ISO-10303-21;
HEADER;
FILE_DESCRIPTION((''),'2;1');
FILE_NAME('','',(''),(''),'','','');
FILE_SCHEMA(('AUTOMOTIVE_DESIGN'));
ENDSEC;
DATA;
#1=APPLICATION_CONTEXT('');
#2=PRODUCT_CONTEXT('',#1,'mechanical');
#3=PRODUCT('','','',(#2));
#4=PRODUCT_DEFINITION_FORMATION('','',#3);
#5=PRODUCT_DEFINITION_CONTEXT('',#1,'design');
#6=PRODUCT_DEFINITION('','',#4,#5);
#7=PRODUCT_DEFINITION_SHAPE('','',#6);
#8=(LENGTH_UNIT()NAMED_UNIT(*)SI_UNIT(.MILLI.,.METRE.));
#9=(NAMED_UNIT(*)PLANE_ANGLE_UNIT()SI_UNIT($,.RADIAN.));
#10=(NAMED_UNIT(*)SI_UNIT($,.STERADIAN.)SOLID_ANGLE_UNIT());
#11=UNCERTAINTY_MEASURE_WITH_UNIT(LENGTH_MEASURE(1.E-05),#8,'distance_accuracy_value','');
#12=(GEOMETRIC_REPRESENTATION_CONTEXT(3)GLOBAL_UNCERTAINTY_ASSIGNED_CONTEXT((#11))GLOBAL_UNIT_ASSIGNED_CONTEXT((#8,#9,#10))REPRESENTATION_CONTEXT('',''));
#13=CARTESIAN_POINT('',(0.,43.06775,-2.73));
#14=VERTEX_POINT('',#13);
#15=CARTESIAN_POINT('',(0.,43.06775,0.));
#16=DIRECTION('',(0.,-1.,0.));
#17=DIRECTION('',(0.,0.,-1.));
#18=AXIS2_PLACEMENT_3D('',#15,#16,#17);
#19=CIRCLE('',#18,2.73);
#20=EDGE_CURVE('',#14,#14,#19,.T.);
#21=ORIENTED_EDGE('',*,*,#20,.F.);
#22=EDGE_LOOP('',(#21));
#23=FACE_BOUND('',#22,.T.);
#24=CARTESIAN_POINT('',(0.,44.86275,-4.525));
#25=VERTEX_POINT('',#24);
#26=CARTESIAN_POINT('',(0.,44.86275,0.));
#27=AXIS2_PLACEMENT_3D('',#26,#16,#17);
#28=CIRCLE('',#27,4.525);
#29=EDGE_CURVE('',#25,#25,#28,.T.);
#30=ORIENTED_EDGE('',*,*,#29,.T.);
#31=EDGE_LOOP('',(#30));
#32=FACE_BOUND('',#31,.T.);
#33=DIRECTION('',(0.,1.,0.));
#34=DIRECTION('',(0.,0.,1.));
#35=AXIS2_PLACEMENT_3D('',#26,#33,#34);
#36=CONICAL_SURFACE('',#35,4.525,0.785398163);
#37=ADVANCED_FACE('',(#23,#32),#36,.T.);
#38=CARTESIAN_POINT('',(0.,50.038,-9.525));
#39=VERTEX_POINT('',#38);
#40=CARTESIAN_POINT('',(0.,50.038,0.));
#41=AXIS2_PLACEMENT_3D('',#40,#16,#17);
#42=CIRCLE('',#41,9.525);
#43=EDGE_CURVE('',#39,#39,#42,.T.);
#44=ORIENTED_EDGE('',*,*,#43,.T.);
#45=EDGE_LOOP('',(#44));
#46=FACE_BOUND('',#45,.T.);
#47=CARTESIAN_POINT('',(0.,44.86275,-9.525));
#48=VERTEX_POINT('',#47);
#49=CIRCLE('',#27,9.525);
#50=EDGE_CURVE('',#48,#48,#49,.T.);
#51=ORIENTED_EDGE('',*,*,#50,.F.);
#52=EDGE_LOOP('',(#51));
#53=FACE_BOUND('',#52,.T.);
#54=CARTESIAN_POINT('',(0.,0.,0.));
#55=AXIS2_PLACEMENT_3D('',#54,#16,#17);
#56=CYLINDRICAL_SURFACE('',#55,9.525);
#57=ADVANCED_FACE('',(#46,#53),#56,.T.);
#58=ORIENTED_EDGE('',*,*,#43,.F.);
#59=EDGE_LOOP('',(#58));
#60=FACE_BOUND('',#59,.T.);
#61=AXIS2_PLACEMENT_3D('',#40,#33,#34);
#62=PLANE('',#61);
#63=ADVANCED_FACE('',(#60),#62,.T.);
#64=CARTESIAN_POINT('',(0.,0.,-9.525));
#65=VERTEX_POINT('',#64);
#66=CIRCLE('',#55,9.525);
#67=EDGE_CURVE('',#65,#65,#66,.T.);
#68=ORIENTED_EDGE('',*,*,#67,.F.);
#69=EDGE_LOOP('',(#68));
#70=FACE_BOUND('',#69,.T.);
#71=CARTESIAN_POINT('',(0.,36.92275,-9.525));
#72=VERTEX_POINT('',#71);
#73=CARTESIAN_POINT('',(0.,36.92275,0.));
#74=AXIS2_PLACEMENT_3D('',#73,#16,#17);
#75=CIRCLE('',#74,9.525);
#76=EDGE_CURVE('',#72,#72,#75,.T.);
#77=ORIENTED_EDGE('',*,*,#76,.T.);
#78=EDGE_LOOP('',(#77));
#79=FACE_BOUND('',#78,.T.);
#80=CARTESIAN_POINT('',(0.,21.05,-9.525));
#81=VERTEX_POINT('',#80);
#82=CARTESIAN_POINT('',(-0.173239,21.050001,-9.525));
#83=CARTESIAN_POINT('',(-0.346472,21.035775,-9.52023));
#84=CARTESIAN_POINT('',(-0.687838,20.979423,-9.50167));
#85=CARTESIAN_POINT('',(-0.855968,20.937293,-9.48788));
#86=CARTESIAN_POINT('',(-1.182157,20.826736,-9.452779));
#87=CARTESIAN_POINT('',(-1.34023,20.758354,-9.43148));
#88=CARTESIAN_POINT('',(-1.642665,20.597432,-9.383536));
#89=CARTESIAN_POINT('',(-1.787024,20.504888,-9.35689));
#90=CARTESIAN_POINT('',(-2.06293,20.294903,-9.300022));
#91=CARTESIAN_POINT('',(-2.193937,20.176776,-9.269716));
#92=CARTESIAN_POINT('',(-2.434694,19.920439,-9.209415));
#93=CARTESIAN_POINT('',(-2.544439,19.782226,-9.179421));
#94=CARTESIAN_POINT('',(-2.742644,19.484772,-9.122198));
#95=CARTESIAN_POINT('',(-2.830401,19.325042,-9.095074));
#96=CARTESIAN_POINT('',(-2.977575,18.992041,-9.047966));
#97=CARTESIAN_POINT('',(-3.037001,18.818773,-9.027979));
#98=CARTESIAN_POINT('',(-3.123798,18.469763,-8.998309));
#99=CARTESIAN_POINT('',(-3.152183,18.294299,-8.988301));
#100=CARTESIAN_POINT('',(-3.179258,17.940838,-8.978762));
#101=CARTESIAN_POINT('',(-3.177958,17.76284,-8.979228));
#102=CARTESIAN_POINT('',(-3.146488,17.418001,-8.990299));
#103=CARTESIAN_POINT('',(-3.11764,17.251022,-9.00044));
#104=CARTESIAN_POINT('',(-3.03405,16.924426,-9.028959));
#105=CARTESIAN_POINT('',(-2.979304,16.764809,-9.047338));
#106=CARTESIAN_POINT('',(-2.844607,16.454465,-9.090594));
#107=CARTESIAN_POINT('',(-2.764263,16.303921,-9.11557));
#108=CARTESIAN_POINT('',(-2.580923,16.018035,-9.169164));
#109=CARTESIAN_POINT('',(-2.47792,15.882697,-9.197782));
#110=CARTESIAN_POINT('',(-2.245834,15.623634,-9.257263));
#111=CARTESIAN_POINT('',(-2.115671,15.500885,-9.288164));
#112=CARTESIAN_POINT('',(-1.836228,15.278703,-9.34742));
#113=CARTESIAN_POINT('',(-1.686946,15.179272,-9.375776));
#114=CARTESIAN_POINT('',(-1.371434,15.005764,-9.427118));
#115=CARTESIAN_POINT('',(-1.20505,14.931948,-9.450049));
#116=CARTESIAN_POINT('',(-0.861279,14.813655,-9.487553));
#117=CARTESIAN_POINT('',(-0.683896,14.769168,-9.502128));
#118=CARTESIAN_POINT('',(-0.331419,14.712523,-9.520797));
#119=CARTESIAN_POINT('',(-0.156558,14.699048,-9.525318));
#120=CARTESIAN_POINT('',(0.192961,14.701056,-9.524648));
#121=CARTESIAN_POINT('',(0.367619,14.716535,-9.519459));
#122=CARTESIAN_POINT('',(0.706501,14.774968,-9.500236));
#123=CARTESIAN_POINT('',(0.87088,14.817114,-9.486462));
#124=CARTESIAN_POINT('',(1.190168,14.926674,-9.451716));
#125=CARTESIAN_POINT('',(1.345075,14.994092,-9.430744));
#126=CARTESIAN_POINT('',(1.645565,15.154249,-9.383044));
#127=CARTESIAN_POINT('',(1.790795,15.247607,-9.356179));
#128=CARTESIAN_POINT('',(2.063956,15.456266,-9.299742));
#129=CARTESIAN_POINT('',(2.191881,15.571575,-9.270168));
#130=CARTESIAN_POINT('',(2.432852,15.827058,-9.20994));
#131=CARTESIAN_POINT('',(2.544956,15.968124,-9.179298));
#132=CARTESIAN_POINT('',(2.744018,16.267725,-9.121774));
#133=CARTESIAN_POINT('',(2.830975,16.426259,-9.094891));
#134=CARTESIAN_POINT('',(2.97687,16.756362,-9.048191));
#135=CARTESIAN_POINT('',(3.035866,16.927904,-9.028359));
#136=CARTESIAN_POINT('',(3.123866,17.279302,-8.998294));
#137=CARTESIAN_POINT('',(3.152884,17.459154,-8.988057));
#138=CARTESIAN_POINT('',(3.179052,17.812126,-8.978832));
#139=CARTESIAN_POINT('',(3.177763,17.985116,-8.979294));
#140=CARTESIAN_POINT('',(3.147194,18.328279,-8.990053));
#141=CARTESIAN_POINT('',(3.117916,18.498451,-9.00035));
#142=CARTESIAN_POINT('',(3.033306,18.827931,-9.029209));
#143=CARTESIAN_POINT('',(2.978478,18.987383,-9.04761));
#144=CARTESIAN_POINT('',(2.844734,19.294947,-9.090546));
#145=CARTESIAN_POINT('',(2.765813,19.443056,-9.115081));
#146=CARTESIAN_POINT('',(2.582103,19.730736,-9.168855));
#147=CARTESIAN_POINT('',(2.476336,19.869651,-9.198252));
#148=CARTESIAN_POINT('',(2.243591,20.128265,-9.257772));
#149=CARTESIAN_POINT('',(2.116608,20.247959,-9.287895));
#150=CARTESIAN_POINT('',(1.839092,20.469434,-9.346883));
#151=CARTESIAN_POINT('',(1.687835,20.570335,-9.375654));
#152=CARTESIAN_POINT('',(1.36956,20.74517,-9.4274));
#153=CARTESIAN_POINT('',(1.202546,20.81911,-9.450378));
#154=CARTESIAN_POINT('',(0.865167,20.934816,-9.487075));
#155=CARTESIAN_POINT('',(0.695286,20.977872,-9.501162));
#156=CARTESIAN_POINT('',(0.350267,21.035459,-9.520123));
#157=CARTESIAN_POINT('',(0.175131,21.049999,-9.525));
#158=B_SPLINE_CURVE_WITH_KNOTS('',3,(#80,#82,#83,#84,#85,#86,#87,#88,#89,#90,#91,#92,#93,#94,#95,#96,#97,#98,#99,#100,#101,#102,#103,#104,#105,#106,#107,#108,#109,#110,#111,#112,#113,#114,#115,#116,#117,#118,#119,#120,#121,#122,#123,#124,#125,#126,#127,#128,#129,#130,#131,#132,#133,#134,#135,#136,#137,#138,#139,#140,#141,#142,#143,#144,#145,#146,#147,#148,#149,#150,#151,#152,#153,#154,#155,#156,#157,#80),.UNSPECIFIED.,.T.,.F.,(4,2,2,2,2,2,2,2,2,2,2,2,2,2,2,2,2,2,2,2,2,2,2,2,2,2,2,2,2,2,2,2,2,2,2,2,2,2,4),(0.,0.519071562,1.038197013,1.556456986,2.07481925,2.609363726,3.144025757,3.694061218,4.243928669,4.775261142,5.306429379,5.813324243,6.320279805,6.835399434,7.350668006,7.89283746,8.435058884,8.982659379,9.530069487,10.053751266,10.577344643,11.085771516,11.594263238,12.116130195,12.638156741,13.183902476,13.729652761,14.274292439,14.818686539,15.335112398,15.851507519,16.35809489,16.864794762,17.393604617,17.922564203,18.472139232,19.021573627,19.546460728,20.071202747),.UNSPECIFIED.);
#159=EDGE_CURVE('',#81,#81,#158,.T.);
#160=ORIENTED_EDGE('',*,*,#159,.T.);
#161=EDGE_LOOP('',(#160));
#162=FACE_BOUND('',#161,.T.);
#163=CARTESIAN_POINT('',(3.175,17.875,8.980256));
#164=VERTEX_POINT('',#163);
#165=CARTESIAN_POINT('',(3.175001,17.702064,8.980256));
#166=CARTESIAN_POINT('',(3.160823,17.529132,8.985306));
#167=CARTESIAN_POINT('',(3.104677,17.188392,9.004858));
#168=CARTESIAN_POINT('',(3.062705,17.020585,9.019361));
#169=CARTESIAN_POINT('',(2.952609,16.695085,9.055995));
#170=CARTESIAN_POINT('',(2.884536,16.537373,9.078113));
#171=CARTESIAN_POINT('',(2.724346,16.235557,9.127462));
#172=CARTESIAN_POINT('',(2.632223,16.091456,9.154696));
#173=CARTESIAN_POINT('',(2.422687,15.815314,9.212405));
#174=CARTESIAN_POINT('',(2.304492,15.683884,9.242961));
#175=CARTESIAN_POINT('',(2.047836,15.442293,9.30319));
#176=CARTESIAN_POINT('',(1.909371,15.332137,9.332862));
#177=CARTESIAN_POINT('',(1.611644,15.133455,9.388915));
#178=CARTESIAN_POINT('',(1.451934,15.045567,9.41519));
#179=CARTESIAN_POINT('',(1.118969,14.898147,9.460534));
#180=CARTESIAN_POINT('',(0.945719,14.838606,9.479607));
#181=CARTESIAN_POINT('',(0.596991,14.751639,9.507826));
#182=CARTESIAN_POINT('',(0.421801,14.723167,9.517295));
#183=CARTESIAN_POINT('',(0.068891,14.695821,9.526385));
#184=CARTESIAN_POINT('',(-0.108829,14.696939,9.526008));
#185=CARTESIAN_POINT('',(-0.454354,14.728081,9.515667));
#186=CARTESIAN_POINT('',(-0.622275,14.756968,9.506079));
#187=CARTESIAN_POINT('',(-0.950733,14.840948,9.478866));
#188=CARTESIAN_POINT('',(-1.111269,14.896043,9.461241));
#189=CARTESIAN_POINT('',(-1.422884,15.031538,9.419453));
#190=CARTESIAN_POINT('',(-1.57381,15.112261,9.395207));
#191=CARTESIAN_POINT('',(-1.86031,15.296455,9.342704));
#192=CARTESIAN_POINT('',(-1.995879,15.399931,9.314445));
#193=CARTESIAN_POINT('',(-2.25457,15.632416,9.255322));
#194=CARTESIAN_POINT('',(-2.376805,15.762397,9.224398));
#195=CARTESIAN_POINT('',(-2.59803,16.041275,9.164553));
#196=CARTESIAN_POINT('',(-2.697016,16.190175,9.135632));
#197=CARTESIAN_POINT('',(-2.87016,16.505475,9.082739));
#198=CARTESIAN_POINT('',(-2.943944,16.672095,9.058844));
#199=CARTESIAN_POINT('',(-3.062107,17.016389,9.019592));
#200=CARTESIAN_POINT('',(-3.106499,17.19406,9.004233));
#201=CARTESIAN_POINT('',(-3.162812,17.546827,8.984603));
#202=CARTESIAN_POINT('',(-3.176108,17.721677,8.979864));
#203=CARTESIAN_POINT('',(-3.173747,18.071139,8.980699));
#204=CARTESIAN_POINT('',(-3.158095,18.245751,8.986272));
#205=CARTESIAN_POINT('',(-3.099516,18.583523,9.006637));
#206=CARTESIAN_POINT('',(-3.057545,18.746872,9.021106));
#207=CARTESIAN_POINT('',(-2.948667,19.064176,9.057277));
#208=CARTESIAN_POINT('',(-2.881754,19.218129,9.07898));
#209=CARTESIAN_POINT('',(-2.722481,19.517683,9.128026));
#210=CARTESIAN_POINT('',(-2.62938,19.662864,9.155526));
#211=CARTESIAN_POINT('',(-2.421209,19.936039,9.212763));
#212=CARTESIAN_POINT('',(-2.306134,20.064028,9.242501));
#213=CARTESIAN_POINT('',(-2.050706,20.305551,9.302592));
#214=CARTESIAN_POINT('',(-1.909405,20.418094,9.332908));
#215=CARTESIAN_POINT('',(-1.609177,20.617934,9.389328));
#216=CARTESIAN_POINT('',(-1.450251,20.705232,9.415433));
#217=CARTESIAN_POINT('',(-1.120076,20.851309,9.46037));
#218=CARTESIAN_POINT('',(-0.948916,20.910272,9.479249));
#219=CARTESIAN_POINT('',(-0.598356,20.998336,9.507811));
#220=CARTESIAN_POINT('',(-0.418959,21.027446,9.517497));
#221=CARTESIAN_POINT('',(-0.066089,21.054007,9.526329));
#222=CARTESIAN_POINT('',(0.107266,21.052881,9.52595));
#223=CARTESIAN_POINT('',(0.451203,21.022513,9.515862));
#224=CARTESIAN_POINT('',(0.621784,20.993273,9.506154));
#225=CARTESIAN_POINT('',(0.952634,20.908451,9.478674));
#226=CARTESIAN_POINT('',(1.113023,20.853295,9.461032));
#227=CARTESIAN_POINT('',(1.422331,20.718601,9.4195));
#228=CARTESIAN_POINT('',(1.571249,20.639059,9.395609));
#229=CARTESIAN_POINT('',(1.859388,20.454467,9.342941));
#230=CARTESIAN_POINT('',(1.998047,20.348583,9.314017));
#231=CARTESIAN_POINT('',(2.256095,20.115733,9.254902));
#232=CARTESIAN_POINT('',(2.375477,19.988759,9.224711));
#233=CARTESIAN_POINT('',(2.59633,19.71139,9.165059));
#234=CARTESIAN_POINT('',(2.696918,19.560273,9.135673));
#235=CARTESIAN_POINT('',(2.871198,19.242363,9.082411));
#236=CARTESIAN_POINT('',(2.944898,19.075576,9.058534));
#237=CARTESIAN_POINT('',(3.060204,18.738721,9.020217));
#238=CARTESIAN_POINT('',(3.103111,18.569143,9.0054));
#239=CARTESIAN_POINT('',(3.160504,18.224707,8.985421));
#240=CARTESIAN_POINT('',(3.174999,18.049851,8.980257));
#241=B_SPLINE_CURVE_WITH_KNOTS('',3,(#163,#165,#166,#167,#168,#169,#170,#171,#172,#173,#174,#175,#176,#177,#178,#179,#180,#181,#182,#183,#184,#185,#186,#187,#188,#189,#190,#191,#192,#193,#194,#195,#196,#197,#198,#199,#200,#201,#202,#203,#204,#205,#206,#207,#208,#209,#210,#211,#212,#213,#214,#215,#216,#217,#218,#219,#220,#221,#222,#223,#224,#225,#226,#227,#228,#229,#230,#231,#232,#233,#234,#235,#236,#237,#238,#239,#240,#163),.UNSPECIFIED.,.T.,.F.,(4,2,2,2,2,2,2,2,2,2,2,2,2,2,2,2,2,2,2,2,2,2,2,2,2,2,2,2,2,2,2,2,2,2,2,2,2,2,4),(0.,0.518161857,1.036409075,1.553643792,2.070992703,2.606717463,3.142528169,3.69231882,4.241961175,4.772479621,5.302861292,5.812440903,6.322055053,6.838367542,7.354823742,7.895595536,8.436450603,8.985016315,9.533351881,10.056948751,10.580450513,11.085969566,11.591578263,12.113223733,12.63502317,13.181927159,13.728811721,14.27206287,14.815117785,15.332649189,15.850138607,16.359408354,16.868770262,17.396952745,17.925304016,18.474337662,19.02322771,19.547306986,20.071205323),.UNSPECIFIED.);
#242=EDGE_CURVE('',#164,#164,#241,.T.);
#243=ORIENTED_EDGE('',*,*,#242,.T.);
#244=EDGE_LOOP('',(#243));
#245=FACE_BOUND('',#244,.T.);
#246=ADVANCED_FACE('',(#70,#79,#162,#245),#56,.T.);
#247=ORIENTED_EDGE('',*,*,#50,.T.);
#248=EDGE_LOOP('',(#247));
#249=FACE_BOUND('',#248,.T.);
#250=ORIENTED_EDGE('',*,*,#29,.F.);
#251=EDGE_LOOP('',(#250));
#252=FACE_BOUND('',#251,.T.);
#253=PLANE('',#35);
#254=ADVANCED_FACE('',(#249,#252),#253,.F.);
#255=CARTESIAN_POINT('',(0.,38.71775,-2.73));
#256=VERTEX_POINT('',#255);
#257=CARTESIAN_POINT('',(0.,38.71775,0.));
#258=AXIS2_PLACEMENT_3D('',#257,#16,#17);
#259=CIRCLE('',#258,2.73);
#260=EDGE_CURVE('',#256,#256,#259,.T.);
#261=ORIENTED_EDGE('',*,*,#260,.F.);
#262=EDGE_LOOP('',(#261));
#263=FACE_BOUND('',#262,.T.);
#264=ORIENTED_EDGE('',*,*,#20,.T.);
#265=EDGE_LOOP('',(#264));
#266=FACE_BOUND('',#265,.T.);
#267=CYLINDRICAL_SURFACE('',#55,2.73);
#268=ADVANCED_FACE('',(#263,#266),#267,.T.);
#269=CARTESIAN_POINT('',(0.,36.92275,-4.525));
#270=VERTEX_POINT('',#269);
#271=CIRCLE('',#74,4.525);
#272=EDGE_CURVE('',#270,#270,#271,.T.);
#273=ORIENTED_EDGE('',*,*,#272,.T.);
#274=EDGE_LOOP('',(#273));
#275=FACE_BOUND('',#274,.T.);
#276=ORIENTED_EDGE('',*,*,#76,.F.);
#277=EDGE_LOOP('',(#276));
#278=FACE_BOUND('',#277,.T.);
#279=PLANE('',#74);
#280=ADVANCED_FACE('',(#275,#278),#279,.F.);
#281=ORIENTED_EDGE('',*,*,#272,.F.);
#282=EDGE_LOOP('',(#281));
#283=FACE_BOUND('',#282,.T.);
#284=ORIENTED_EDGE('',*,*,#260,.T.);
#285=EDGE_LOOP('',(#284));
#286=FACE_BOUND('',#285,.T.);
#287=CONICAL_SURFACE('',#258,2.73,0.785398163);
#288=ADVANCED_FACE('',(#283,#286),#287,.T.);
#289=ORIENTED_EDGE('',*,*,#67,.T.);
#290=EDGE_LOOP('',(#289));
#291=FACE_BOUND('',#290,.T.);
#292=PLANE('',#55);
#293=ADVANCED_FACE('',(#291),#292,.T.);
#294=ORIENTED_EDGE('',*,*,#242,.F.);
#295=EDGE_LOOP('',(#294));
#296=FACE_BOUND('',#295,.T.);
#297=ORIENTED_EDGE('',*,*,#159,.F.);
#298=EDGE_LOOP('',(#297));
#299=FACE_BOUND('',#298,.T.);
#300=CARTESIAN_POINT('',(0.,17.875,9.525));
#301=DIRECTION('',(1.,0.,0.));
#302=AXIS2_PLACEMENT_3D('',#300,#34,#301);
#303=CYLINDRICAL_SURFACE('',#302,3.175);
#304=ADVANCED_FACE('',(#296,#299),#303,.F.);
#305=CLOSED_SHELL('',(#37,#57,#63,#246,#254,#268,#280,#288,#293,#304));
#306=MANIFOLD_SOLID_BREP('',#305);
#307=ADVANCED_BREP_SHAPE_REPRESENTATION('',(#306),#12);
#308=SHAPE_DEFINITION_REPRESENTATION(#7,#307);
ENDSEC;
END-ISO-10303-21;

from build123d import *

# Parameters (mm, degrees)
DI_METRO_DE_TALADRO_1_4_0_25_1_D = 6.35


with BuildPart() as part:
    # Croquis1 → Revolución1 (revolve)
    with BuildSketch(Plane.XY, mode=Mode.PRIVATE) as revoluci_n1_sk:
        Polygon((-9.525, 0), (0, 0), (0, 50.038), (-9.525, 50.038), (-9.525, 44.86275), (-4.525, 44.86275), (-2.73, 43.06775), (-2.73, 38.71775), (-4.525, 36.92275), (-9.525, 36.92275), (-9.525, 22.63475), (-9.525, 2), align=None)
    revolve(revoluci_n1_sk.sketch.rotate(Axis((0, 0, 0), (0, 1, 0)), 270), axis=Axis((0, 0, 0), (0, 1, 0)))

    # Diámetro de taladro 1/4 (0.25)1 (through all)
    with Locations(Plane(origin=(0, 17.875, 9.525), x_dir=(1, 0, 0), z_dir=(0, 0, 1))):
        with Locations((0, 0)):
            Hole(DI_METRO_DE_TALADRO_1_4_0_25_1_D / 2)


solid = part.part
